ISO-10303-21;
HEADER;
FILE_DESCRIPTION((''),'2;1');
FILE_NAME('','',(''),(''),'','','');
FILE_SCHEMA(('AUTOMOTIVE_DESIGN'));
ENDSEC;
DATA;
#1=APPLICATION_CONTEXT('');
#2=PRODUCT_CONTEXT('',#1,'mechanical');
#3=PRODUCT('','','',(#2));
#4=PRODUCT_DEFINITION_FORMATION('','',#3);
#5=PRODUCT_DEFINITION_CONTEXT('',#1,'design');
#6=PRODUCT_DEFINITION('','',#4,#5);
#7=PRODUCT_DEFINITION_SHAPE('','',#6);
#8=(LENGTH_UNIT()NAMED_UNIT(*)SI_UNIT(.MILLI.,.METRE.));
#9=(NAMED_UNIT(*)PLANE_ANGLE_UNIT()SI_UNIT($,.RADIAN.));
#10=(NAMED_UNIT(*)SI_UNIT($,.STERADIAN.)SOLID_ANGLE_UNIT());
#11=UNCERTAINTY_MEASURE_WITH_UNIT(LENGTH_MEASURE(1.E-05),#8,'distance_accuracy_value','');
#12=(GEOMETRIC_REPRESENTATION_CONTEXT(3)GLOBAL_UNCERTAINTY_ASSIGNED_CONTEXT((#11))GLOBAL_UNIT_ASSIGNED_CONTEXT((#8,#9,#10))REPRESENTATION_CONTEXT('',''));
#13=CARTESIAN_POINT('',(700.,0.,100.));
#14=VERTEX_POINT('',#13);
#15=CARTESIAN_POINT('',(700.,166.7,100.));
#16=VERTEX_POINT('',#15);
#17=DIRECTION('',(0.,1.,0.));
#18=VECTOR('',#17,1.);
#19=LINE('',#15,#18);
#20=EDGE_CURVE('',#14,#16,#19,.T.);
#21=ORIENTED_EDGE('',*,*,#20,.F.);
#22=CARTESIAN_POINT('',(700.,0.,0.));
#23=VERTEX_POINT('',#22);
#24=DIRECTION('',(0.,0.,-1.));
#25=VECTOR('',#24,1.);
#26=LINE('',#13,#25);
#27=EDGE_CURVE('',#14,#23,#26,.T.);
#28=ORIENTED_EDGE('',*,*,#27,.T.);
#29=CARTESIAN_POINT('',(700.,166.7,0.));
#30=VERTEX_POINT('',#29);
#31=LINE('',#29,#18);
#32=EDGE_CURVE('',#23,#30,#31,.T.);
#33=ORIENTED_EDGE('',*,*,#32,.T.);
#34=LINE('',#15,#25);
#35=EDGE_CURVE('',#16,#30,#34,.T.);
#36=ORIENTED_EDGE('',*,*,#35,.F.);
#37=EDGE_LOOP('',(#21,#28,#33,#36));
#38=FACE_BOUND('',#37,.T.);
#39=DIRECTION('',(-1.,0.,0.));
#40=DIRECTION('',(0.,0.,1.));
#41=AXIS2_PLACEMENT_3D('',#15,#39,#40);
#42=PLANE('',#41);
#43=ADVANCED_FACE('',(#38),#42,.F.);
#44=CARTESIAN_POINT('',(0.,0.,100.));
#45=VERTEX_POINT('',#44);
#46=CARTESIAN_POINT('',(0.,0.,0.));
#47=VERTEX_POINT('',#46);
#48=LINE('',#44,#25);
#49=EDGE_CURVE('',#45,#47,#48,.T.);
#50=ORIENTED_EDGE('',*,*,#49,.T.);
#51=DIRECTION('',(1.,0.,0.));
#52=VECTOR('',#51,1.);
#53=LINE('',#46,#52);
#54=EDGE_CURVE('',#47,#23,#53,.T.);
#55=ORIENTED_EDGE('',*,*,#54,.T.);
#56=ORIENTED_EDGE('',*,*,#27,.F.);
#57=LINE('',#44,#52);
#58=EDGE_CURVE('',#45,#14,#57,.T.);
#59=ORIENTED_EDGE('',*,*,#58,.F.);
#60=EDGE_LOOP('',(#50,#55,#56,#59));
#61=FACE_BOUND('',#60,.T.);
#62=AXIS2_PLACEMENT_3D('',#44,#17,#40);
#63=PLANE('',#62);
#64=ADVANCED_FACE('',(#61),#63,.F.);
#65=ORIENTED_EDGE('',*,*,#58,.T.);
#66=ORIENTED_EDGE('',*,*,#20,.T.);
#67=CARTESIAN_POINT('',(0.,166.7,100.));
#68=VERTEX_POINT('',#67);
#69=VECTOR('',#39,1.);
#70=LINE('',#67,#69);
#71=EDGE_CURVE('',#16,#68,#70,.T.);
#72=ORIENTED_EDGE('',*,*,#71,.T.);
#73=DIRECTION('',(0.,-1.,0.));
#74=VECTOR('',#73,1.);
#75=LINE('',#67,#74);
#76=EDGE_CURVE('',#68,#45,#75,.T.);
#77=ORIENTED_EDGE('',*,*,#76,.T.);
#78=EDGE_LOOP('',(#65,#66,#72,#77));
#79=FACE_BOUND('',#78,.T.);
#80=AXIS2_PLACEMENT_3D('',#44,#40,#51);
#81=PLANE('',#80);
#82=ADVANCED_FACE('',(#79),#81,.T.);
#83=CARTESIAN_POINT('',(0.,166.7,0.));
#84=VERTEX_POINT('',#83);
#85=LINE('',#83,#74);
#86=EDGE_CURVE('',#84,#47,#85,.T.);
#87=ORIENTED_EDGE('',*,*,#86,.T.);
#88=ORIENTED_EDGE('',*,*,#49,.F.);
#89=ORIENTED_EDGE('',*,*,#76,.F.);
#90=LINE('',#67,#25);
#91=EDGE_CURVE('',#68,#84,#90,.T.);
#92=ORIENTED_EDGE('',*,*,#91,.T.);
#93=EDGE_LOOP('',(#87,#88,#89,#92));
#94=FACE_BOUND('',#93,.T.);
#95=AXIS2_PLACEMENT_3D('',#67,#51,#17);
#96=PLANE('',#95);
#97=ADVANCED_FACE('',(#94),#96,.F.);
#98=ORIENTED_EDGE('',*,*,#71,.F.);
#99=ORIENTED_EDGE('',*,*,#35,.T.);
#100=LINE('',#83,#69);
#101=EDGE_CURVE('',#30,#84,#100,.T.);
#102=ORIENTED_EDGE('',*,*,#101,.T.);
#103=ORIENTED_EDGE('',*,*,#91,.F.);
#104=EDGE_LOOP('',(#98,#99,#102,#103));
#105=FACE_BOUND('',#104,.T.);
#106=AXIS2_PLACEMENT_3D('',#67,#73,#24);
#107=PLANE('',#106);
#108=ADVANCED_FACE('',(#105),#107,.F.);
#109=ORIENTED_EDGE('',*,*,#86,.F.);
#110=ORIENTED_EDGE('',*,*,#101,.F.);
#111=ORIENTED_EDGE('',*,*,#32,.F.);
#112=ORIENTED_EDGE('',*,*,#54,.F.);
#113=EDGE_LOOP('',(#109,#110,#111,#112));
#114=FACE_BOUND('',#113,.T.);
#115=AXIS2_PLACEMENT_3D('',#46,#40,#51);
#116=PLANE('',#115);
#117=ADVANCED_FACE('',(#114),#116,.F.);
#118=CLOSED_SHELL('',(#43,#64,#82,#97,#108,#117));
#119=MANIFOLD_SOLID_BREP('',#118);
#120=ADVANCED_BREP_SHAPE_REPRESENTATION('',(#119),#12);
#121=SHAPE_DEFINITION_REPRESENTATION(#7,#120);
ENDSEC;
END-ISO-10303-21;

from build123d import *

# Parameters (mm, degrees)
SKETCH_1_W        = 700
SKETCH_1_H        = 166.7
EXTRUDE_304_DEPTH = 100


with BuildPart() as part:
    # 草图1 → Extrude 304 (new body)
    with BuildSketch(Plane.XY):
        with Locations((350, 83.35)):
            Rectangle(SKETCH_1_W, SKETCH_1_H)
    extrude(amount=EXTRUDE_304_DEPTH)


solid = part.part
